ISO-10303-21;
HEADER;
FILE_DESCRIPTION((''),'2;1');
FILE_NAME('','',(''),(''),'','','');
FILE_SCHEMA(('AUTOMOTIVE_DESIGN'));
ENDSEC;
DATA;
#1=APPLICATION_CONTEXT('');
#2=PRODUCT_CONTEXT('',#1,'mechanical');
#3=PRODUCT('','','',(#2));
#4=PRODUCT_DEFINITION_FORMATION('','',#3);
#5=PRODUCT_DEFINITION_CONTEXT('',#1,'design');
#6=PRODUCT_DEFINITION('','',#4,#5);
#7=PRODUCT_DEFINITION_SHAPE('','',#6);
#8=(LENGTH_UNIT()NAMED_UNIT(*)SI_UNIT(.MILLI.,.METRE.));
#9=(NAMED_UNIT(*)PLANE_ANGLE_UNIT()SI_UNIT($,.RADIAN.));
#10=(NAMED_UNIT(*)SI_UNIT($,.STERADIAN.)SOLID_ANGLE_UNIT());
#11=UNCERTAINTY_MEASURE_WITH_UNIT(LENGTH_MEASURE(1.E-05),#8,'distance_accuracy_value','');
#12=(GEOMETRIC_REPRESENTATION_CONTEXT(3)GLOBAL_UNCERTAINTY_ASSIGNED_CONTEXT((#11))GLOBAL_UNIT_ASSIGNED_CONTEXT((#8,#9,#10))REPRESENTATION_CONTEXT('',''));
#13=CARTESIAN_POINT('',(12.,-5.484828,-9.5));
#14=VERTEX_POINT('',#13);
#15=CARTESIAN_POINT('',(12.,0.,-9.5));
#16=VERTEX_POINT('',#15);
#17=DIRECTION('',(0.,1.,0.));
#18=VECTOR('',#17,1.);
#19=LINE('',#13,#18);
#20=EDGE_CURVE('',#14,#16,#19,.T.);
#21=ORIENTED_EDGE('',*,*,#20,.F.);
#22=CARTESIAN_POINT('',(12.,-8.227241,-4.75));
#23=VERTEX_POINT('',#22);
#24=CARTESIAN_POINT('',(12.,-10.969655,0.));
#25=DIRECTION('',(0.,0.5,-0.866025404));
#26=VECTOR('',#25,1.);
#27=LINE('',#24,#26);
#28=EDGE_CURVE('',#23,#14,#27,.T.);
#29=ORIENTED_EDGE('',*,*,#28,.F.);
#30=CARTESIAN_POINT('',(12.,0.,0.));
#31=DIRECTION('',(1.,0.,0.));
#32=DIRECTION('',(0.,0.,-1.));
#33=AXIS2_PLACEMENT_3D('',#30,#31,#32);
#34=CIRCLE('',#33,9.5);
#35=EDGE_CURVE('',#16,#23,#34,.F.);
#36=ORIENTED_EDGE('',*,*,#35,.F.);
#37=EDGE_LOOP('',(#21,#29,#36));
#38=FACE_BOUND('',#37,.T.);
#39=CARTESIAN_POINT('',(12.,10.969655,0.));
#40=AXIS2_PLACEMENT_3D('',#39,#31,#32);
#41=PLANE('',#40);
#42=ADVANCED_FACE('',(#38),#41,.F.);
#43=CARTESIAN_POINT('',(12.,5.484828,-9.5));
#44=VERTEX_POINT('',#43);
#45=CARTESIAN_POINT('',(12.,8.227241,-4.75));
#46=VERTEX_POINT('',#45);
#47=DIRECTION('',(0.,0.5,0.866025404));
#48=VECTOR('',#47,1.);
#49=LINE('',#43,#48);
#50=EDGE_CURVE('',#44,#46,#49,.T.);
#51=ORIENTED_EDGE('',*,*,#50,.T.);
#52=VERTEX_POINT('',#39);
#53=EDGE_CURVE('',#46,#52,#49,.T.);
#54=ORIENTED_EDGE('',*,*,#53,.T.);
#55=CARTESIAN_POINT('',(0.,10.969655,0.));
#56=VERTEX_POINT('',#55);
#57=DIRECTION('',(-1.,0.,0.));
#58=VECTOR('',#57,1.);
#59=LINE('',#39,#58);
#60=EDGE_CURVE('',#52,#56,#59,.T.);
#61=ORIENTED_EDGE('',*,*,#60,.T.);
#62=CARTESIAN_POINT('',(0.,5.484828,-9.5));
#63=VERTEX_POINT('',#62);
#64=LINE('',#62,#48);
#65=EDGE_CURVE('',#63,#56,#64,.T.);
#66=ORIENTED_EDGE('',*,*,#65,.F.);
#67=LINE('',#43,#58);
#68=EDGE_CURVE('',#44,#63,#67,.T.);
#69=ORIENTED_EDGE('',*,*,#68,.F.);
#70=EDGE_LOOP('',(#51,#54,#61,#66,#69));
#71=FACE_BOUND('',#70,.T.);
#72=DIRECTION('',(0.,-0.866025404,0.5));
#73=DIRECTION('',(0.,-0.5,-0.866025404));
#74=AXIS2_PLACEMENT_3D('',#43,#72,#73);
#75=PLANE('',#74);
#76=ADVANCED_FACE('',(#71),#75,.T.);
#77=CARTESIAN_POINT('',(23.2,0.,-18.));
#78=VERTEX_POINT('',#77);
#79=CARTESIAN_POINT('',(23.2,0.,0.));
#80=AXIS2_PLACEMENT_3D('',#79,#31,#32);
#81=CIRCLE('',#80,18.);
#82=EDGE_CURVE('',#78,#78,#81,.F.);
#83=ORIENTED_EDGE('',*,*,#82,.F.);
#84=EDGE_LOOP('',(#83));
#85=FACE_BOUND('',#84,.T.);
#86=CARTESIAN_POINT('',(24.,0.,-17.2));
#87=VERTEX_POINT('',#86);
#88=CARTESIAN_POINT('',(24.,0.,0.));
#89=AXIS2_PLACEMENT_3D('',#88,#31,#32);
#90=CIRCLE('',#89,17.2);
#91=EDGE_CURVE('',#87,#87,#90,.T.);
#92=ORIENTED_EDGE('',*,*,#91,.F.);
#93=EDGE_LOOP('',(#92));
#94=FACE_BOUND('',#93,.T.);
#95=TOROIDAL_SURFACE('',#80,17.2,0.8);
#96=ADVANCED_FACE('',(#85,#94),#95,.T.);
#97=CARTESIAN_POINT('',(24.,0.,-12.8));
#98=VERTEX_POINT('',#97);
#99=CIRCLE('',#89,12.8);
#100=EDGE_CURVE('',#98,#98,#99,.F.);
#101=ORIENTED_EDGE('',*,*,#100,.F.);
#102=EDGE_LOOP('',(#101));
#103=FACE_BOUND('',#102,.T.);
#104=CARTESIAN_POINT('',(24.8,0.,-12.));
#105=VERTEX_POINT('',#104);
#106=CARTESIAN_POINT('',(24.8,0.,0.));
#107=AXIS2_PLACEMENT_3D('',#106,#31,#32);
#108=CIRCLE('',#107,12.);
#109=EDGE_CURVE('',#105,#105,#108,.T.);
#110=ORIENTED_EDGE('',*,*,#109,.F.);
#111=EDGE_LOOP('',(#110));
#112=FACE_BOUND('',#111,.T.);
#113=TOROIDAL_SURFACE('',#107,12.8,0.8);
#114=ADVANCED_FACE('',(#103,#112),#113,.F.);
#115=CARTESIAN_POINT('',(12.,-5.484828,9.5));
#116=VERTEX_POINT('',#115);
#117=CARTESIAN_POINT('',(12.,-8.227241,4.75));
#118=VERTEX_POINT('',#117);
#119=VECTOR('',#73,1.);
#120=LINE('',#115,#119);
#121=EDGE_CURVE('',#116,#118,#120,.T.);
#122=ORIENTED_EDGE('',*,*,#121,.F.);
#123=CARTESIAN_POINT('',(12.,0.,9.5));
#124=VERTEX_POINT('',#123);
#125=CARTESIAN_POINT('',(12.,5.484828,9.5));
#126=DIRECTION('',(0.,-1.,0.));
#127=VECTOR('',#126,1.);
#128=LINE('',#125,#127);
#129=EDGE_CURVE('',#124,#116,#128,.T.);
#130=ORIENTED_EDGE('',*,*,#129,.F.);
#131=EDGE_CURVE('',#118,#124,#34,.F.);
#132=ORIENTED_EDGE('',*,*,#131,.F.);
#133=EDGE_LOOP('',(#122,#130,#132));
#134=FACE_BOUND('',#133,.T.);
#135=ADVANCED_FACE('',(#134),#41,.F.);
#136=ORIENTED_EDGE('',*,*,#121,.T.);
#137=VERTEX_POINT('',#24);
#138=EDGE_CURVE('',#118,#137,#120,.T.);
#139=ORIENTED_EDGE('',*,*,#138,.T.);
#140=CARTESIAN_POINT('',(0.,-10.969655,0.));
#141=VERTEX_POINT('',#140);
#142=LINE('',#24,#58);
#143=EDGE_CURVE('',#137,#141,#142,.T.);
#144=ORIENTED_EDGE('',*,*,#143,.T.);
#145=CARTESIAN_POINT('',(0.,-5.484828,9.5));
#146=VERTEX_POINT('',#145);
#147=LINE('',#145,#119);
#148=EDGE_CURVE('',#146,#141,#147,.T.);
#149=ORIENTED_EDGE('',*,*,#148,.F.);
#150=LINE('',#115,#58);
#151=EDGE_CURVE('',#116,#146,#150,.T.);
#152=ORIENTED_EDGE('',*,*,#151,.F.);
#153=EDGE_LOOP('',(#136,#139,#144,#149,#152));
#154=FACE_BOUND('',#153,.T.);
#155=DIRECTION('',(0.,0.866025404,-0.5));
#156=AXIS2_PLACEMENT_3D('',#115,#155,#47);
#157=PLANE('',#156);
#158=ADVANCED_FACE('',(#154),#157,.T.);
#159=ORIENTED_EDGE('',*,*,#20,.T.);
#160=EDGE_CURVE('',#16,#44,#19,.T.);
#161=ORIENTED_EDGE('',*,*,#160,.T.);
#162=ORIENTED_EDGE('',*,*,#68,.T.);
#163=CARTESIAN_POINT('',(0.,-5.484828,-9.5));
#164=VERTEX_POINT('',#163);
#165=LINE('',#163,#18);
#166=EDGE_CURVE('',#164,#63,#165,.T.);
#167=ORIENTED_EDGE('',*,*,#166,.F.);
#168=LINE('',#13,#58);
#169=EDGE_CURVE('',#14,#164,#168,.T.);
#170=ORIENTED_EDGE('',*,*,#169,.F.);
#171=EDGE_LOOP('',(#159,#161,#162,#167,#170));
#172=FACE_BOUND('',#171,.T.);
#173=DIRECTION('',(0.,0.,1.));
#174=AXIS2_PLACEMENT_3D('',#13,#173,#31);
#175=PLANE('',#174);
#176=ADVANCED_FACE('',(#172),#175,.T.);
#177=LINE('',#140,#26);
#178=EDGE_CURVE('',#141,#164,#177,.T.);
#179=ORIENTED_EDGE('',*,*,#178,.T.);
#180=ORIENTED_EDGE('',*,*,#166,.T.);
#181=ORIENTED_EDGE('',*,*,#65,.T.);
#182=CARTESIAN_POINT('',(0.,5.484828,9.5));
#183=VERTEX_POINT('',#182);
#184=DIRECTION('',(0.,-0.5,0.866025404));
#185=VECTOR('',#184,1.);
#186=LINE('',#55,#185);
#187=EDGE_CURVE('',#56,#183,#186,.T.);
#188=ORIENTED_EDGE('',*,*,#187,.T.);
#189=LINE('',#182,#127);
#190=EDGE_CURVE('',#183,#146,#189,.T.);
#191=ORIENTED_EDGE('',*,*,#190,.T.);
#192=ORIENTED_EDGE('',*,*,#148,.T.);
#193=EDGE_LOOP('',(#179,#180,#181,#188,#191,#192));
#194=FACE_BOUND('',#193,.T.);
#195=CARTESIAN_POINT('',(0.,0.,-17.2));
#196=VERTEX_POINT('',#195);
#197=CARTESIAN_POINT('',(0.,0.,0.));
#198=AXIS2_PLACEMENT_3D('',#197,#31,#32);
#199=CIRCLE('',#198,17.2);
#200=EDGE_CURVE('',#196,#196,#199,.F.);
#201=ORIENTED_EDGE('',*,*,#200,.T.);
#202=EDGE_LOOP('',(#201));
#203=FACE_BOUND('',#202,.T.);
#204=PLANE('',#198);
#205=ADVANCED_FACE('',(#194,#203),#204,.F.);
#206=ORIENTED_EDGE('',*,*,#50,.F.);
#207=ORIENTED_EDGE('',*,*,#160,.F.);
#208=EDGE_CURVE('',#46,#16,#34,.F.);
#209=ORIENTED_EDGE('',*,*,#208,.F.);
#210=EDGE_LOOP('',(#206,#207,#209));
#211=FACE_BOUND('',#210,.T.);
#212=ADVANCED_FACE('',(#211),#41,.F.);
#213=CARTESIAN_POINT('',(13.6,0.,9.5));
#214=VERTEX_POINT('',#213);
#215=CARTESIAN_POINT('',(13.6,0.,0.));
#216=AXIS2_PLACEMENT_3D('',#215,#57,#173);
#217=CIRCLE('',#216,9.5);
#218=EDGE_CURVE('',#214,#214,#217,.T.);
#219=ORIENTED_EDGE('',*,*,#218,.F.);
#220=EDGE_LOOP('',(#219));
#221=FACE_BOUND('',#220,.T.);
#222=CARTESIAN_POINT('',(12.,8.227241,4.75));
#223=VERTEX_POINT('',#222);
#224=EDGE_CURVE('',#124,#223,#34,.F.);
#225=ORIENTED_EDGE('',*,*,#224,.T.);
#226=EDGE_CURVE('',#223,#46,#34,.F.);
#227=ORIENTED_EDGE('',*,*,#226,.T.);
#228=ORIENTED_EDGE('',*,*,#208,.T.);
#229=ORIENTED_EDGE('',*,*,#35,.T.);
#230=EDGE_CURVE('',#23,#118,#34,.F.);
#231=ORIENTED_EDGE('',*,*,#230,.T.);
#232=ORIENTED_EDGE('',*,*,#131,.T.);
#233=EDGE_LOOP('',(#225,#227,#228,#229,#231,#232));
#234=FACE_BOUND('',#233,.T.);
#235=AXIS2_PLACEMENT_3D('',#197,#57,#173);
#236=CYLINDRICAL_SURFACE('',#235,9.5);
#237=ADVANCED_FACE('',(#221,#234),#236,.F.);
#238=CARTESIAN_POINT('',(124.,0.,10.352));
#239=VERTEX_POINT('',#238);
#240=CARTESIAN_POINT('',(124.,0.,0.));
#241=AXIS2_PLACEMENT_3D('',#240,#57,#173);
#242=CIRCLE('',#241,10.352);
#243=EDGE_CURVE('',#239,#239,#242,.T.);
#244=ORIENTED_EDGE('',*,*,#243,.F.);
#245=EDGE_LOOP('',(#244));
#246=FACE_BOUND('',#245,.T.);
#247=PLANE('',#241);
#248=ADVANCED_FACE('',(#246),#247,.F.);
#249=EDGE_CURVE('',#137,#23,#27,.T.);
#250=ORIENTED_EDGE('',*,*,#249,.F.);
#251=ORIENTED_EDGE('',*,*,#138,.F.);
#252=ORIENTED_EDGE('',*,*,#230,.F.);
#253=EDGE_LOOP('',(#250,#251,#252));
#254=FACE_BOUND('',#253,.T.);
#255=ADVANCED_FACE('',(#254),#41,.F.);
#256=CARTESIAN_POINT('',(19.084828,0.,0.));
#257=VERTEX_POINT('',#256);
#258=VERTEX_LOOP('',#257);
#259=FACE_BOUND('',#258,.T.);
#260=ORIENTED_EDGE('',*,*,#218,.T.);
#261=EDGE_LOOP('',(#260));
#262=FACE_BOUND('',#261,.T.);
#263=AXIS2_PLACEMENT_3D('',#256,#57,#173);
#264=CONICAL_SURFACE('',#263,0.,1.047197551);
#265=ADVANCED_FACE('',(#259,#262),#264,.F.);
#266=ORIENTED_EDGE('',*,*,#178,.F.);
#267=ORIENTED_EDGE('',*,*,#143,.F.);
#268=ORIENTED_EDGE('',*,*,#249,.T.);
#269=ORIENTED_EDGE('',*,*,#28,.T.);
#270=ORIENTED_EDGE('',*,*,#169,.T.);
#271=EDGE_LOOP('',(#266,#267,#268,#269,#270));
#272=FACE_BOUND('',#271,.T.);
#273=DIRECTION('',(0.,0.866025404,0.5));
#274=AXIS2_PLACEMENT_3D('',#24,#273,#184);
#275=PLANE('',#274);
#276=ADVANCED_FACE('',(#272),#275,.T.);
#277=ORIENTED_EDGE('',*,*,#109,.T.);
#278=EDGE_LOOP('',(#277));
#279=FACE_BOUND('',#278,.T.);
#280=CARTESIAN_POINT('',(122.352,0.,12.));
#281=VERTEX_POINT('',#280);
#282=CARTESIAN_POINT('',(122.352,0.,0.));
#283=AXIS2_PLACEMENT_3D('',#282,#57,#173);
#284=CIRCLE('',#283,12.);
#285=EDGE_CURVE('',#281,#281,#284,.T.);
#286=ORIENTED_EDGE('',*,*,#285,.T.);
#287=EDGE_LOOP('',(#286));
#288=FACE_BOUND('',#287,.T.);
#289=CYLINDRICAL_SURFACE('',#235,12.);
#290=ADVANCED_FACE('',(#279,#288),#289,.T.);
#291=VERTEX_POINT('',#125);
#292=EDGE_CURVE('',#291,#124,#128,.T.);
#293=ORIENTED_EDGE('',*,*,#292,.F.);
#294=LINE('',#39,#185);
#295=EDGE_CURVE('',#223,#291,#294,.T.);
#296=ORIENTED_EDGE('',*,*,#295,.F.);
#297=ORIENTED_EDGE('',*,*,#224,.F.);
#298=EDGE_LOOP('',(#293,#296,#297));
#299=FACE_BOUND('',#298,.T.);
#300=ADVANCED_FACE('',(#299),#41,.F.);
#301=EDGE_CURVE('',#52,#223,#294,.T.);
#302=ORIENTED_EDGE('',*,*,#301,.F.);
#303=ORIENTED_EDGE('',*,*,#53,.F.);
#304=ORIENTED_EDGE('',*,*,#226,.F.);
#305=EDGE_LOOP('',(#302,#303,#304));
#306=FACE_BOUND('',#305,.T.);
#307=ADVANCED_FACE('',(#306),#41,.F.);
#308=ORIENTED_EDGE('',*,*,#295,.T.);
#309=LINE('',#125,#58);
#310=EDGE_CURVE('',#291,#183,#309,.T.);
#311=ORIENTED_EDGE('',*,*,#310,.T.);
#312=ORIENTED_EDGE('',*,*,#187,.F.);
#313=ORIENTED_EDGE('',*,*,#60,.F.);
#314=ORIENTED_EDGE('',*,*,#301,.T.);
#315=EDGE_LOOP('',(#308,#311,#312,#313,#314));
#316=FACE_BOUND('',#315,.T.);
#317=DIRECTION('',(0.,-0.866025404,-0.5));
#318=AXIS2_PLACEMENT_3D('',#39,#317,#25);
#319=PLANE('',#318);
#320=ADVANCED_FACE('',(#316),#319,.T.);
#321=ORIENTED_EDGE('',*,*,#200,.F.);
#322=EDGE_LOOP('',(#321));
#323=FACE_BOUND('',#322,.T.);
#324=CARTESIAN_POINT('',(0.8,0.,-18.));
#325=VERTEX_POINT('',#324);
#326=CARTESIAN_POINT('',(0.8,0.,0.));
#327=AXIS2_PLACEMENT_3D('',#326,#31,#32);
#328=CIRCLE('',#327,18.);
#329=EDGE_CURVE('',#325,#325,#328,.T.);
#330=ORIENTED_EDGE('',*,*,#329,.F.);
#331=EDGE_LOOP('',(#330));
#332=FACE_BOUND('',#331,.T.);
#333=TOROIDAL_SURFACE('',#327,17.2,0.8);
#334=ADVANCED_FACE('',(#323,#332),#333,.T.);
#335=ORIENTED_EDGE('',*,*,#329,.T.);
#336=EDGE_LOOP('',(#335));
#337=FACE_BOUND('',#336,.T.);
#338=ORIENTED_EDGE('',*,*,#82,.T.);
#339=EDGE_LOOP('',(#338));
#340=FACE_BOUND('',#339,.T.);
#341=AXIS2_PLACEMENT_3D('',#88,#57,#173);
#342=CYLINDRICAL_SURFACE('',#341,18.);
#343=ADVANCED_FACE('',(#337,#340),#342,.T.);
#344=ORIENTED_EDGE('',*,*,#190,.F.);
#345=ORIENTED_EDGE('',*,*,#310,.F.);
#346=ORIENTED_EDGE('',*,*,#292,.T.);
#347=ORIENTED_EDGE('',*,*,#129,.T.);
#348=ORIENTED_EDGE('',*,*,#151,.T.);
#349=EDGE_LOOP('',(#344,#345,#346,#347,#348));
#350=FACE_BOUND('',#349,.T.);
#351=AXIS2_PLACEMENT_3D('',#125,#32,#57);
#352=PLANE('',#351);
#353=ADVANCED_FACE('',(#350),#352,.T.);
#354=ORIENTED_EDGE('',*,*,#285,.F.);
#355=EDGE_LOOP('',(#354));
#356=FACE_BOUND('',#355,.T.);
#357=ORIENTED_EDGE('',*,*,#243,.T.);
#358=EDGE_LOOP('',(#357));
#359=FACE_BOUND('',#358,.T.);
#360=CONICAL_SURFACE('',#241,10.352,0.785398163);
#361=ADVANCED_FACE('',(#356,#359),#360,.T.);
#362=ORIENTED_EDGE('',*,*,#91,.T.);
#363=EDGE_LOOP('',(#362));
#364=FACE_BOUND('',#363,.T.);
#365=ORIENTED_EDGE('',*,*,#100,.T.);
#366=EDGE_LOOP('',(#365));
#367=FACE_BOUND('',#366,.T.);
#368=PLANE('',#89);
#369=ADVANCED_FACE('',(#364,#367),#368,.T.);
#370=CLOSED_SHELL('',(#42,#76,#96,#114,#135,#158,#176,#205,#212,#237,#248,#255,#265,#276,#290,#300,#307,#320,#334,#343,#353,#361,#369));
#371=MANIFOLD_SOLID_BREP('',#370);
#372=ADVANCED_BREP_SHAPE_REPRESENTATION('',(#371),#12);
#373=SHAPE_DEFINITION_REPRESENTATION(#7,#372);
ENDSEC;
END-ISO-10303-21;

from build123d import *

# Parameters (mm, degrees)
BASEHEADSKE_R   = 18
BASEHEAD_DEPTH  = 24
CUTSOCKET_DEPTH = 12
FILLET_2_R      = 0.8


with BuildPart() as part:
    # BaseHeadSke → BaseHead (new body)
    with BuildSketch(Plane(origin=(0, 0, 0), x_dir=(0, 0, -1), z_dir=(1, 0, 0))):
        Circle(BASEHEADSKE_R)
    extrude(amount=BASEHEAD_DEPTH)

    # BodySke → BaseBody (revolve)
    with BuildSketch(Plane.XY, mode=Mode.PRIVATE) as basebody_sk:
        Polygon((0, 0), (124, 0), (124, 10.352), (122.352, 12), (0, 12), align=None)
    revolve(basebody_sk.sketch.rotate(Axis((0, 0, 0), (1, 0, 0)), 90), axis=Axis((0, 0, 0), (1, 0, 0)))

    # CutSocketSke → CutSocket (cut)
    with BuildSketch(Plane(origin=(0, 0, 0), x_dir=(0, 0, -1), z_dir=(1, 0, 0))):
        Polygon((0, 10.969655115), (-9.5, 5.484827557), (-9.5, -5.484827557), (0, -10.969655115), (9.5, -5.484827557), (9.5, 5.484827557), align=None)
    extrude(amount=CUTSOCKET_DEPTH, mode=Mode.SUBTRACT)

    # CutHoleSke → CutHole (revolve, cut)
    with BuildSketch(Plane.XY, mode=Mode.PRIVATE) as cuthole_sk:
        Polygon((0, 9.5), (13.6, 9.5), (19.084827557, 0), (0, 0), align=None)
    revolve(cuthole_sk.sketch.rotate(Axis((0, 0, 0), (1, 0, 0)), 90), axis=Axis((0, 0, 0), (1, 0, 0)), mode=Mode.SUBTRACT)

    # Fillet 2
    fillet_2_edges = [part.edges().sort_by_distance(p)[0] for p in [
        (0, 0, 18),
        (24, 0, 18),
        (24, 0, -12),
    ]]
    fillet(fillet_2_edges, radius=FILLET_2_R)


solid = part.part
